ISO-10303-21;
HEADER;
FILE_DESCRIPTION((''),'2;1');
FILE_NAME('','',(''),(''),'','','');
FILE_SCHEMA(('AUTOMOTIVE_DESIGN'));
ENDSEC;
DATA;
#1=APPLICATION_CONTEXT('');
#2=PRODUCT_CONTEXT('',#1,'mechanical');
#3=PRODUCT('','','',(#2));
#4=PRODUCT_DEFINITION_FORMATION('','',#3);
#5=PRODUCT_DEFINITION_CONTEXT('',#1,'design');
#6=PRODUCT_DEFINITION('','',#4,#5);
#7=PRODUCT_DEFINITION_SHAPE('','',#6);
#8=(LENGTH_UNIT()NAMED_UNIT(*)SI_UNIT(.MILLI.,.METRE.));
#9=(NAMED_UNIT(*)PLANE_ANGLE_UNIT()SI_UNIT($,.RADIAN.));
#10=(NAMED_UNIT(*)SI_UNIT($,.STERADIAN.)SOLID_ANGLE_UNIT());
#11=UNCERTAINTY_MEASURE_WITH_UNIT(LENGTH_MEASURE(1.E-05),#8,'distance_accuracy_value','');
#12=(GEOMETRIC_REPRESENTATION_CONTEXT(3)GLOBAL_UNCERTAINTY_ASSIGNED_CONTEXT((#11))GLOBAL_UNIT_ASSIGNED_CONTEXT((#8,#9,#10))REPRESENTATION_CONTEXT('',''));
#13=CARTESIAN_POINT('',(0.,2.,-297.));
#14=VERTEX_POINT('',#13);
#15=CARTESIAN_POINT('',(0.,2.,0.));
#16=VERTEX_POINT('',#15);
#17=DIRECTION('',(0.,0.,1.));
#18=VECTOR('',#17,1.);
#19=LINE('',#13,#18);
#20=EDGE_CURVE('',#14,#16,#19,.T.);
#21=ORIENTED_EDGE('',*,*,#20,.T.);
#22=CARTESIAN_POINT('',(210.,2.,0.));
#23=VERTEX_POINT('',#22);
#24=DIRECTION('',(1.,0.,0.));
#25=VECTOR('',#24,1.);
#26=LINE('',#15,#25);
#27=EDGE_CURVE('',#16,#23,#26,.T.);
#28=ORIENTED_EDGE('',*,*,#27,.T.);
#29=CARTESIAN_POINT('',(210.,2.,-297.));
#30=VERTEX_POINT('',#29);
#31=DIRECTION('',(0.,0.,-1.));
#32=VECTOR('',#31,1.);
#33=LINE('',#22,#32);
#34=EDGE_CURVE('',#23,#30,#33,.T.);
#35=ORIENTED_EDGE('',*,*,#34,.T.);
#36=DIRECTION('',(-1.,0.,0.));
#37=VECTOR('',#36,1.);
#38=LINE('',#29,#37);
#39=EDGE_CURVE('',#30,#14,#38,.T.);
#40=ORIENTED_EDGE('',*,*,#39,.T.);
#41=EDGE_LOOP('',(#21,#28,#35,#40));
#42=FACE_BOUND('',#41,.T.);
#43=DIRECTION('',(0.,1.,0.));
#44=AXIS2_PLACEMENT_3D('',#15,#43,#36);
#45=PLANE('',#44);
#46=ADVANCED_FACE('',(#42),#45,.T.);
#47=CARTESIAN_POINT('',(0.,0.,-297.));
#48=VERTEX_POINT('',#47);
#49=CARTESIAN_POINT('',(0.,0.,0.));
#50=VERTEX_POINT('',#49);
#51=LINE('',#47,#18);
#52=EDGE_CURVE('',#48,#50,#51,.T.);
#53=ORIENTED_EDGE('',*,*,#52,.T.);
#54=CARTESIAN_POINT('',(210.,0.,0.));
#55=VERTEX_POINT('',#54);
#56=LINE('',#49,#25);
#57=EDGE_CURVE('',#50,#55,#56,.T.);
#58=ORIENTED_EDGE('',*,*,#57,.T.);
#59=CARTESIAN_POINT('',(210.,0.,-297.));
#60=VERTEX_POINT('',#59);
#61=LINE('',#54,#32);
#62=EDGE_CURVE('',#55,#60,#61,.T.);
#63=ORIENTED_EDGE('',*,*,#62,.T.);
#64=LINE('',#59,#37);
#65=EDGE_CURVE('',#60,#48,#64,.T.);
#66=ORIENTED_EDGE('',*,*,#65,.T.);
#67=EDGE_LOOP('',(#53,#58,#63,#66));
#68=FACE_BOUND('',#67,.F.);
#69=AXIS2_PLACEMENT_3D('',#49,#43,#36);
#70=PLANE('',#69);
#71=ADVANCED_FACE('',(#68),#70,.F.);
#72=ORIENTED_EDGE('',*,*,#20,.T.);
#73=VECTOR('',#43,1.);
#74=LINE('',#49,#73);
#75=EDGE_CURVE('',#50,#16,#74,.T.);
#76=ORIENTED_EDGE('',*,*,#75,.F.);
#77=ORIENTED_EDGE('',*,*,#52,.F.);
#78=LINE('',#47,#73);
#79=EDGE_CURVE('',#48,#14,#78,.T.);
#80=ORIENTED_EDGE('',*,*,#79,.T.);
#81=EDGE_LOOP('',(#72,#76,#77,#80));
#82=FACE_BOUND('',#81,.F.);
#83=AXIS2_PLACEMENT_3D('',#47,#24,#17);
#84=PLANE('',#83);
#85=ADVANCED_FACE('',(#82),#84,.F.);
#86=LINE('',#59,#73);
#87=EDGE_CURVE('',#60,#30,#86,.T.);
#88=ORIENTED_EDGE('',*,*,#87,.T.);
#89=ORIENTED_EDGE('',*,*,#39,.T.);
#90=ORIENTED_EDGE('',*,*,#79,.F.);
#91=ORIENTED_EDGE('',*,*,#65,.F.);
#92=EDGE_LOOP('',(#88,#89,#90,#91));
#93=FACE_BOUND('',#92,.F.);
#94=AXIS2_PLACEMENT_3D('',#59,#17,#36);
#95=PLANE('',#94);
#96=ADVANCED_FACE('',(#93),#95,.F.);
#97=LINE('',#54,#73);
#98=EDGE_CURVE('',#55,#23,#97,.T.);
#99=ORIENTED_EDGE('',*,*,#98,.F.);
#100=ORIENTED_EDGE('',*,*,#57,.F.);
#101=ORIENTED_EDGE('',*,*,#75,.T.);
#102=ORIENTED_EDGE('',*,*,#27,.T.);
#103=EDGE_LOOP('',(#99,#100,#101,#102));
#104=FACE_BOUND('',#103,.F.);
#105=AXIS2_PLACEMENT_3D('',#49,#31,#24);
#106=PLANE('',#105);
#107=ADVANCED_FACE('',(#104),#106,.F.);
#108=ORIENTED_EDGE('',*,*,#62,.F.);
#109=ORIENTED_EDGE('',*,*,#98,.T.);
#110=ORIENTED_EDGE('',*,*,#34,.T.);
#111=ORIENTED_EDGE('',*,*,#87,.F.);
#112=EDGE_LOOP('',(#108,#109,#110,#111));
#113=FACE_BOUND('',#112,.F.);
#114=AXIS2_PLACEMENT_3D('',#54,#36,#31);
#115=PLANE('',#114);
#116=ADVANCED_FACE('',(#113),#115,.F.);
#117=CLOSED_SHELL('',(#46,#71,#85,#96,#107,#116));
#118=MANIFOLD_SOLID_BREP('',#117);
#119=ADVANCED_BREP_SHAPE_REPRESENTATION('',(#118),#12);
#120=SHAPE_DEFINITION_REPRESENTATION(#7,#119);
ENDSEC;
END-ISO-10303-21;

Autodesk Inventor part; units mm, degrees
ref_plane "YZ Plane" through (0, 0, 0) normal (1, 0, 0) x (0, 1, 0)
ref_plane "XZ Plane" through (0, 0, 0) normal (0, 1, 0) x (-1, 0, 0)
ref_plane "XY Plane" through (0, 0, 0) normal (0, 0, 1) x (1, 0, 0)
sketch "Szkic1" plane through (0, 0, 0) normal (0, 1, 0) x (-1, 0, 0)
  line L0 (0, 0) -> (-210, 0)
  line L1 (-210, 0) -> (-210, -297)
  line L2 (-210, -297) -> (0, -297)
  line L3 (0, -297) -> (0, 0)
  dimension "d0" = 210
  dimension "d1" = 297
extrude "Wyciągnięcie proste1" add sketch "Szkic1" along normal blind 2
properties part number "A4"
